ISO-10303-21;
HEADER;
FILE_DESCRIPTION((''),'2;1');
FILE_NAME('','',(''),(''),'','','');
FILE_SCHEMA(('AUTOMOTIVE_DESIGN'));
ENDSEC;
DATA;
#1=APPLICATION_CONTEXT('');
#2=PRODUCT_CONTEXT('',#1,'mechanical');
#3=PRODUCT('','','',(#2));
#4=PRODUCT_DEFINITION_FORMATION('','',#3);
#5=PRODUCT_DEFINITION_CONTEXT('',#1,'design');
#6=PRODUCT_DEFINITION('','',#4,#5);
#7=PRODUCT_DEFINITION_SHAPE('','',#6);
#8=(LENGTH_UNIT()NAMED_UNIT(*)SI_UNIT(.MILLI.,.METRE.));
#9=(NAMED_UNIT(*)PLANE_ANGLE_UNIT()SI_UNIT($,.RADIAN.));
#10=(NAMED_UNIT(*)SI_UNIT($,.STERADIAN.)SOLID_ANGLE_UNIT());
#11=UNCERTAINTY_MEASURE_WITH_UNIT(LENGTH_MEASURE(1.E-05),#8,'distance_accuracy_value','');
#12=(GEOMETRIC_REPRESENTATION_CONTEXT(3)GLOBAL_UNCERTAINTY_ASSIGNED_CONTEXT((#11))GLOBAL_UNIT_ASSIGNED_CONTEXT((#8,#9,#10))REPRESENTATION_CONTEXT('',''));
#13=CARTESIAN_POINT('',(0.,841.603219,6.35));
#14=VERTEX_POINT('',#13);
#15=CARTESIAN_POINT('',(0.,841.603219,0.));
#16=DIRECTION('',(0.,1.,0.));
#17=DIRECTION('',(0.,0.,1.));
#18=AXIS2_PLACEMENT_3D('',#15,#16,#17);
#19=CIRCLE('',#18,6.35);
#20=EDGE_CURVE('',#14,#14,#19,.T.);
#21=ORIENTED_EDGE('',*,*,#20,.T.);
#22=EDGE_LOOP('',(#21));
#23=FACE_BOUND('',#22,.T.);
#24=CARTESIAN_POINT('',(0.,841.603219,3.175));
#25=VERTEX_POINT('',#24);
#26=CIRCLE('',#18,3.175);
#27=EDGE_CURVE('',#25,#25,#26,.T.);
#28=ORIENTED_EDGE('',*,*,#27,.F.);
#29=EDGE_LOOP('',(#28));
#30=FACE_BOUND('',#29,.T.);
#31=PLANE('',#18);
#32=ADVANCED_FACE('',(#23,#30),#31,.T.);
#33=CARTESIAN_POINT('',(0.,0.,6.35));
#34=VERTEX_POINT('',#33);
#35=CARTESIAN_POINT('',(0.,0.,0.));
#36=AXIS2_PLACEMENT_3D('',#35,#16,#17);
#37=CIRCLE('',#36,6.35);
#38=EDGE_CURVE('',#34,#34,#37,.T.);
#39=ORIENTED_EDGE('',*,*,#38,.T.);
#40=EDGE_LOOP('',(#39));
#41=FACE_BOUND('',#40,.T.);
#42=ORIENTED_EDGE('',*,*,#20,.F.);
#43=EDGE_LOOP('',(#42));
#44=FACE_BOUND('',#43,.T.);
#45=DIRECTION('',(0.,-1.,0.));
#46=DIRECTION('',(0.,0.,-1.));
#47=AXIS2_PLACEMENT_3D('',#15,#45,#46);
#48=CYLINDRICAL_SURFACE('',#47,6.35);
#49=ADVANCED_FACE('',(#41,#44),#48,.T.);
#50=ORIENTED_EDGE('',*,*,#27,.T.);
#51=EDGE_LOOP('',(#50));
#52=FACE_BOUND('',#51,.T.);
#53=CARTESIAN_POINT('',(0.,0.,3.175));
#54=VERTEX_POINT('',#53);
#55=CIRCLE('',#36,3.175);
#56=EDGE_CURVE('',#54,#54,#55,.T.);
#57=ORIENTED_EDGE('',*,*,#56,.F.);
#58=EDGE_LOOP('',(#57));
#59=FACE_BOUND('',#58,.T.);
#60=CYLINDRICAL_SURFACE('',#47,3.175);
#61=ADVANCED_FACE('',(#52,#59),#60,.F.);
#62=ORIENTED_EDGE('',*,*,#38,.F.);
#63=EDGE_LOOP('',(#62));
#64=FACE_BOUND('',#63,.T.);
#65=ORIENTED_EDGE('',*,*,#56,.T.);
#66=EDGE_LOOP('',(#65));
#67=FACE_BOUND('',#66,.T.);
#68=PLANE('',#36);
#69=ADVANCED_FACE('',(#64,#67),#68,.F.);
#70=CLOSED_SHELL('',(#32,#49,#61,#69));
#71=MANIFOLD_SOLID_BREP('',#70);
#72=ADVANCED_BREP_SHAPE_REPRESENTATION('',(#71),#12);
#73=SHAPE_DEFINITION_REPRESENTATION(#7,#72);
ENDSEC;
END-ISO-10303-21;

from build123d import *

# Parameters (mm, degrees)
SKETCH1_R           = 6.35
SKETCH1_R_2         = 3.175
BOSS_EXTRUDE1_DEPTH = 841.603219466


with BuildPart() as part:
    # Sketch1 → Boss-Extrude1 (new body)
    with BuildSketch(Plane(origin=(0, 0, 0), x_dir=(-1, 0, 0), z_dir=(0, 1, 0))):
        with Locations(Location((0, 0, 0), (0, 0, 90))):
            Circle(SKETCH1_R)
        with Locations(Location((0, 0, 0), (0, 0, 90))):
            Circle(SKETCH1_R_2, mode=Mode.SUBTRACT)
    extrude(amount=BOSS_EXTRUDE1_DEPTH)


solid = part.part
